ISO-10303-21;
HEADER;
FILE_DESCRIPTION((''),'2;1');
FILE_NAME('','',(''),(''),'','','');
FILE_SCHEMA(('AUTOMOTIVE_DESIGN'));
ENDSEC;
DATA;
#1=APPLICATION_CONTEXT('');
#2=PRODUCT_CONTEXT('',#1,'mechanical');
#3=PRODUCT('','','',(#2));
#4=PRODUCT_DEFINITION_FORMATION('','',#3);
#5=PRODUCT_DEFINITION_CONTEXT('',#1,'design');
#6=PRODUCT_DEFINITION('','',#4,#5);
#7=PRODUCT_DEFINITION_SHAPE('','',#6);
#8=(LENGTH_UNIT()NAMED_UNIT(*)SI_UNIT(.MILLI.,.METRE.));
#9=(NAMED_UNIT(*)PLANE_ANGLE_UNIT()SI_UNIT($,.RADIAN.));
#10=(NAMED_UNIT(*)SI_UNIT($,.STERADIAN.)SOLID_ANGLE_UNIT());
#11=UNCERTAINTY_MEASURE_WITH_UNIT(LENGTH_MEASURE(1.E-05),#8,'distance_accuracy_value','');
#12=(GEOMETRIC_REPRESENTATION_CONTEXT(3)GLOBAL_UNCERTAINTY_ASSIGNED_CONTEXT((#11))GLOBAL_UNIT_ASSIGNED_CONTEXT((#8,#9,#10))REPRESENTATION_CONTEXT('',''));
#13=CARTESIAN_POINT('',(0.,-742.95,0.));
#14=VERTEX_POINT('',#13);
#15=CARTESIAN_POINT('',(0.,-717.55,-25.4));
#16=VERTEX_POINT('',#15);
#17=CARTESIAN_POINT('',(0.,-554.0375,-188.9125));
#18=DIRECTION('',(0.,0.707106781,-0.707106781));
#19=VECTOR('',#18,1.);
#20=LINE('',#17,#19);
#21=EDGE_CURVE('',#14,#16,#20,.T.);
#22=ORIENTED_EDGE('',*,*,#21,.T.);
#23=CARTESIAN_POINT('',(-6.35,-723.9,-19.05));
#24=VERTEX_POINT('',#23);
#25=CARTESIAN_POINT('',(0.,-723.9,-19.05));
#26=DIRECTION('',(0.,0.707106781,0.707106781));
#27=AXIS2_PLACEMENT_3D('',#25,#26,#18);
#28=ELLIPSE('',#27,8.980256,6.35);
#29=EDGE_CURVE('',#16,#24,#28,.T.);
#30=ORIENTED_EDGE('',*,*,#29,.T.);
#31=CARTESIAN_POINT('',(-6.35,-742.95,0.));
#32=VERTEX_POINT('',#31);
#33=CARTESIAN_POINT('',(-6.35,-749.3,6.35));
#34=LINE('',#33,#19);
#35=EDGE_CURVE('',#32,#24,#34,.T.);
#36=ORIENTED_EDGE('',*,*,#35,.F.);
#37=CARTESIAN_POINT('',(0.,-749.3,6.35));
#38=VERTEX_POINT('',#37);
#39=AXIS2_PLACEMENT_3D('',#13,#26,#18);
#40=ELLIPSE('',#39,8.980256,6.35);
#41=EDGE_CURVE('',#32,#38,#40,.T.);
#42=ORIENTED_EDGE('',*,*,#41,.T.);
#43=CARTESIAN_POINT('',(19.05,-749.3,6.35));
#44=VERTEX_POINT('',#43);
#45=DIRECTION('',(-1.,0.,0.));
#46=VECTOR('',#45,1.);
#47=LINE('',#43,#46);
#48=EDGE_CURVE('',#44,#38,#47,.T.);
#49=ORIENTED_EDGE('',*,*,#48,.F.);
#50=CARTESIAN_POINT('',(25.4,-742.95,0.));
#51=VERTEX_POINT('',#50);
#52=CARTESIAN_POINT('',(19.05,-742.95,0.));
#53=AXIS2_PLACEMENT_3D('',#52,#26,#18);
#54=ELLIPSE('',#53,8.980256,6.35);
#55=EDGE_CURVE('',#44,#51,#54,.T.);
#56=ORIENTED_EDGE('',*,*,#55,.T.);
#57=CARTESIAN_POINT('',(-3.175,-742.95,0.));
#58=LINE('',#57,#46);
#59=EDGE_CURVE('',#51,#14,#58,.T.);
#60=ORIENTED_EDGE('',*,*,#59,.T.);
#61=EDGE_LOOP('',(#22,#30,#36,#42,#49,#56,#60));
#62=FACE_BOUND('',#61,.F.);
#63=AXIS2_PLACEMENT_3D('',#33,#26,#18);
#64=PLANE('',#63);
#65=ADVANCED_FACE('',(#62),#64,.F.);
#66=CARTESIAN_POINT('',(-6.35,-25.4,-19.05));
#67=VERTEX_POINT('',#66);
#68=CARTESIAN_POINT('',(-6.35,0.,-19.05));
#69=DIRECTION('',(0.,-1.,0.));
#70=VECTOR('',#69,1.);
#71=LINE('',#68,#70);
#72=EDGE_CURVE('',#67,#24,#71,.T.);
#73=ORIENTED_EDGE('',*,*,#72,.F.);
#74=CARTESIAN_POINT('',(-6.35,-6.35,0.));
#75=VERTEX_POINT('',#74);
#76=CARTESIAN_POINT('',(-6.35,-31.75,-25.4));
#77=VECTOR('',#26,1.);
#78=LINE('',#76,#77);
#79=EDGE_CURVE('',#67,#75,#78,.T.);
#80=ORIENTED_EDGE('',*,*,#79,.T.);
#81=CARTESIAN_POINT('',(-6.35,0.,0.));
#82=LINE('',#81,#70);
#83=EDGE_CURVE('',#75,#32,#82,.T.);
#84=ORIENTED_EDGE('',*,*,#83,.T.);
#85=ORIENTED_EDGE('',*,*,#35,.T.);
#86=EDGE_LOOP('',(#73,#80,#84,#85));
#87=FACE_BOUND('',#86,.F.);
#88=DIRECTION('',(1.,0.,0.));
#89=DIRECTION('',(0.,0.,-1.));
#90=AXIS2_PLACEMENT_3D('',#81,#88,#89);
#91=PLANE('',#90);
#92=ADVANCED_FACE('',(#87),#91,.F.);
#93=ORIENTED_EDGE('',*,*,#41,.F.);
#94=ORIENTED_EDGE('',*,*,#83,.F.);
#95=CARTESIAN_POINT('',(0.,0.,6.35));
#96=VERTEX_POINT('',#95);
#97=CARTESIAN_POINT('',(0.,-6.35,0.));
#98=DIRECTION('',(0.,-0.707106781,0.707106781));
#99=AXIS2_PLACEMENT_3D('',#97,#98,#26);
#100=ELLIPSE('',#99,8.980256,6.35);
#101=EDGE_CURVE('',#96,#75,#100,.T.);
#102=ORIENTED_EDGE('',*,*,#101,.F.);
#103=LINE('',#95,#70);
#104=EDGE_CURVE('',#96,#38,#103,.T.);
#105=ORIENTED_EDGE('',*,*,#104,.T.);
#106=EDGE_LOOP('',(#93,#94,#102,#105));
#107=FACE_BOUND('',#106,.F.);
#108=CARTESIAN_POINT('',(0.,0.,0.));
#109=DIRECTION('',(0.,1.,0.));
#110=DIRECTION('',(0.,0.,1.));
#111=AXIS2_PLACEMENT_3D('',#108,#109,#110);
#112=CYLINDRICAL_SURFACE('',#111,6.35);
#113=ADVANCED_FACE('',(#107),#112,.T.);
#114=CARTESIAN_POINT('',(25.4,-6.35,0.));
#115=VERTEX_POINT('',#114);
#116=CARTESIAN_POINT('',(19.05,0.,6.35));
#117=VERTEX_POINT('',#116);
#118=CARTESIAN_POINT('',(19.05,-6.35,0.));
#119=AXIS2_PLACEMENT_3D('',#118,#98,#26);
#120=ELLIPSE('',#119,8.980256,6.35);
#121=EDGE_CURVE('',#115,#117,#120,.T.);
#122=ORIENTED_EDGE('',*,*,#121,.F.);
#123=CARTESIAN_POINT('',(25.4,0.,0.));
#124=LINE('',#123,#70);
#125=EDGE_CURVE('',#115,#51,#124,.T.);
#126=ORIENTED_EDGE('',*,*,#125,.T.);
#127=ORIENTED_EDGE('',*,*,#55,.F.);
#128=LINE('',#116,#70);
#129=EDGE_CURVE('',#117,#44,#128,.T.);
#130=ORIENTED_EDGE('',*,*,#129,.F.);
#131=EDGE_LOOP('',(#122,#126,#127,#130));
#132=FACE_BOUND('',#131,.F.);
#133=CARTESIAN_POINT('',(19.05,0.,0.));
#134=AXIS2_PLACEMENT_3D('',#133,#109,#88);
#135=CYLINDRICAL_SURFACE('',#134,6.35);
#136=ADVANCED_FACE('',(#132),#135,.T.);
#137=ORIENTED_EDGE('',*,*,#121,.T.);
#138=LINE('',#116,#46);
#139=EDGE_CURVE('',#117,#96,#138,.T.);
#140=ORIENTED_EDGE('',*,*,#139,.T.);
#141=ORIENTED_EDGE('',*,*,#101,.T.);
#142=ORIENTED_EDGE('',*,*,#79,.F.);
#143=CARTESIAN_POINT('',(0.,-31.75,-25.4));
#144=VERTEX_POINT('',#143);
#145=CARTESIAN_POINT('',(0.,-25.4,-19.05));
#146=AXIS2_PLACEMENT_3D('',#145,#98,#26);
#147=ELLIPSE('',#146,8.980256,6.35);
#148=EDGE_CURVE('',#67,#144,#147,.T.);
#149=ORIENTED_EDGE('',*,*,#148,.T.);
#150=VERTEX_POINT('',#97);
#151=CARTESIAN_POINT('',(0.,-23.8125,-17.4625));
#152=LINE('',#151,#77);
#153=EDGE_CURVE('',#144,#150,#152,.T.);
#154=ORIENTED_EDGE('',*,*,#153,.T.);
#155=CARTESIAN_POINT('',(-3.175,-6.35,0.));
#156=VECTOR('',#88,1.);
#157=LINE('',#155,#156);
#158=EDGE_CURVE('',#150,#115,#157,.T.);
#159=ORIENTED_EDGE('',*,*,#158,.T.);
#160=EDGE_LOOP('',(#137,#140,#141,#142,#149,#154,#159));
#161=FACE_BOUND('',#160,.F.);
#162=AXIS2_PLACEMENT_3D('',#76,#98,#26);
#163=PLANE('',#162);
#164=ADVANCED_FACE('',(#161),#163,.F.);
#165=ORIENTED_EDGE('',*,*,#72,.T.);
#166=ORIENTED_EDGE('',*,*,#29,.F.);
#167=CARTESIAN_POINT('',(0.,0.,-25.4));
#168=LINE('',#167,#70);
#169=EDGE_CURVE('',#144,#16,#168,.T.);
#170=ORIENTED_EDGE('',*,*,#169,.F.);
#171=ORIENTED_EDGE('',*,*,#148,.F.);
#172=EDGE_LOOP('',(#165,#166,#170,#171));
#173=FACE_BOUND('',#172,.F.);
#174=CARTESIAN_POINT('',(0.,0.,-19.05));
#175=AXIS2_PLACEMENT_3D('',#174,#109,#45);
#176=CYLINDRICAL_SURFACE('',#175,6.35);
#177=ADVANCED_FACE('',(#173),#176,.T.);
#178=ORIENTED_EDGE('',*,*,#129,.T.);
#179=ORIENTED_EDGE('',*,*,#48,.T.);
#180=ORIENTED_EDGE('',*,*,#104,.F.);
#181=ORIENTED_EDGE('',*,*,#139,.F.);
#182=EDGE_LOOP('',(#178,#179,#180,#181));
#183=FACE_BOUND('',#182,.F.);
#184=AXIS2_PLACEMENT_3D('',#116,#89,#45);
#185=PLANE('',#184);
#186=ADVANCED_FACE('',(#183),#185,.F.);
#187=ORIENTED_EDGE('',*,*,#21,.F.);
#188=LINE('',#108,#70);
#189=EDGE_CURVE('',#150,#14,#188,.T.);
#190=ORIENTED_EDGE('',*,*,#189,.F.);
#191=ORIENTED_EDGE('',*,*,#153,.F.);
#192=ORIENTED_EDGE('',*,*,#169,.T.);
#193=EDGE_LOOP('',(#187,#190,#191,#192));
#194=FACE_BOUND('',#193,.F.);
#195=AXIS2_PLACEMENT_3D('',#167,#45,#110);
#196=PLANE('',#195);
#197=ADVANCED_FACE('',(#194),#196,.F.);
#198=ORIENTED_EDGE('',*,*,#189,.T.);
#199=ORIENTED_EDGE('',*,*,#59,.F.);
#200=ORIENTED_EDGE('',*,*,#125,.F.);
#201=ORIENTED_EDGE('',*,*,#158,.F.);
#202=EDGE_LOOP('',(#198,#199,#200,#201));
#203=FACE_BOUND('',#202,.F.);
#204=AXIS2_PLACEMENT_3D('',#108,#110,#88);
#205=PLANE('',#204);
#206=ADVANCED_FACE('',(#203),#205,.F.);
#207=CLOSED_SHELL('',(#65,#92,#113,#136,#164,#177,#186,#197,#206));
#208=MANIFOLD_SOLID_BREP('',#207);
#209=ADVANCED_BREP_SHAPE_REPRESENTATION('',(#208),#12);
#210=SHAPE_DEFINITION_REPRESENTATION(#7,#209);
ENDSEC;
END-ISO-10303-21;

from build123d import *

# Parameters (mm, degrees)
F1_DEPTH = 749.3
F3_DEPTH = 31.751
F5_DEPTH = 50.8


with BuildPart() as f1:
    # F0 (on Front) → F1 (new body)
    with BuildSketch(Plane.XZ):
        with BuildLine():
            Line((0, -25.4), (0, 0))
            Line((0, 0), (25.4, 0))
            ThreePointArc((25.4, 0), (23.5401280605, 4.4901280605), (19.05, 6.35))
            Line((19.05, 6.35), (0, 6.35))
            ThreePointArc((0, 6.35), (-4.4901280605, 4.4901280605), (-6.35, 0))
            Line((-6.35, 0), (-6.35, -19.05))
            ThreePointArc((-6.35, -19.05), (-4.4901280605, -23.5401280605), (0, -25.4))
        make_face()
    extrude(amount=F1_DEPTH)

    # F2 (on face) → F3 (cut, through all)
    with BuildSketch(Plane(origin=(-6.35, 0, 0), x_dir=(0, -1, 0), z_dir=(-1, 0, 0))):
        Polygon((749.3, -25.4), (749.3, 6.35), (717.55, -25.4), align=None)
    extrude(amount=-F3_DEPTH, mode=Mode.SUBTRACT)

    # F4 (on face) → F5 (cut)
    with BuildSketch(Plane(origin=(-6.35, 0, 0), x_dir=(0, -1, 0), z_dir=(-1, 0, 0))):
        Polygon((31.75, -25.4), (25.4, -19.05), (0, -19.05), (0, -25.4), align=None)
        Polygon((25.4, -19.05), (6.35, 0), (0, 0), (0, -19.05), align=None)
        Polygon((6.35, 0), (0, 6.35), (0, 0), align=None)
    extrude(amount=-F5_DEPTH, mode=Mode.SUBTRACT)


solid = f1.part
